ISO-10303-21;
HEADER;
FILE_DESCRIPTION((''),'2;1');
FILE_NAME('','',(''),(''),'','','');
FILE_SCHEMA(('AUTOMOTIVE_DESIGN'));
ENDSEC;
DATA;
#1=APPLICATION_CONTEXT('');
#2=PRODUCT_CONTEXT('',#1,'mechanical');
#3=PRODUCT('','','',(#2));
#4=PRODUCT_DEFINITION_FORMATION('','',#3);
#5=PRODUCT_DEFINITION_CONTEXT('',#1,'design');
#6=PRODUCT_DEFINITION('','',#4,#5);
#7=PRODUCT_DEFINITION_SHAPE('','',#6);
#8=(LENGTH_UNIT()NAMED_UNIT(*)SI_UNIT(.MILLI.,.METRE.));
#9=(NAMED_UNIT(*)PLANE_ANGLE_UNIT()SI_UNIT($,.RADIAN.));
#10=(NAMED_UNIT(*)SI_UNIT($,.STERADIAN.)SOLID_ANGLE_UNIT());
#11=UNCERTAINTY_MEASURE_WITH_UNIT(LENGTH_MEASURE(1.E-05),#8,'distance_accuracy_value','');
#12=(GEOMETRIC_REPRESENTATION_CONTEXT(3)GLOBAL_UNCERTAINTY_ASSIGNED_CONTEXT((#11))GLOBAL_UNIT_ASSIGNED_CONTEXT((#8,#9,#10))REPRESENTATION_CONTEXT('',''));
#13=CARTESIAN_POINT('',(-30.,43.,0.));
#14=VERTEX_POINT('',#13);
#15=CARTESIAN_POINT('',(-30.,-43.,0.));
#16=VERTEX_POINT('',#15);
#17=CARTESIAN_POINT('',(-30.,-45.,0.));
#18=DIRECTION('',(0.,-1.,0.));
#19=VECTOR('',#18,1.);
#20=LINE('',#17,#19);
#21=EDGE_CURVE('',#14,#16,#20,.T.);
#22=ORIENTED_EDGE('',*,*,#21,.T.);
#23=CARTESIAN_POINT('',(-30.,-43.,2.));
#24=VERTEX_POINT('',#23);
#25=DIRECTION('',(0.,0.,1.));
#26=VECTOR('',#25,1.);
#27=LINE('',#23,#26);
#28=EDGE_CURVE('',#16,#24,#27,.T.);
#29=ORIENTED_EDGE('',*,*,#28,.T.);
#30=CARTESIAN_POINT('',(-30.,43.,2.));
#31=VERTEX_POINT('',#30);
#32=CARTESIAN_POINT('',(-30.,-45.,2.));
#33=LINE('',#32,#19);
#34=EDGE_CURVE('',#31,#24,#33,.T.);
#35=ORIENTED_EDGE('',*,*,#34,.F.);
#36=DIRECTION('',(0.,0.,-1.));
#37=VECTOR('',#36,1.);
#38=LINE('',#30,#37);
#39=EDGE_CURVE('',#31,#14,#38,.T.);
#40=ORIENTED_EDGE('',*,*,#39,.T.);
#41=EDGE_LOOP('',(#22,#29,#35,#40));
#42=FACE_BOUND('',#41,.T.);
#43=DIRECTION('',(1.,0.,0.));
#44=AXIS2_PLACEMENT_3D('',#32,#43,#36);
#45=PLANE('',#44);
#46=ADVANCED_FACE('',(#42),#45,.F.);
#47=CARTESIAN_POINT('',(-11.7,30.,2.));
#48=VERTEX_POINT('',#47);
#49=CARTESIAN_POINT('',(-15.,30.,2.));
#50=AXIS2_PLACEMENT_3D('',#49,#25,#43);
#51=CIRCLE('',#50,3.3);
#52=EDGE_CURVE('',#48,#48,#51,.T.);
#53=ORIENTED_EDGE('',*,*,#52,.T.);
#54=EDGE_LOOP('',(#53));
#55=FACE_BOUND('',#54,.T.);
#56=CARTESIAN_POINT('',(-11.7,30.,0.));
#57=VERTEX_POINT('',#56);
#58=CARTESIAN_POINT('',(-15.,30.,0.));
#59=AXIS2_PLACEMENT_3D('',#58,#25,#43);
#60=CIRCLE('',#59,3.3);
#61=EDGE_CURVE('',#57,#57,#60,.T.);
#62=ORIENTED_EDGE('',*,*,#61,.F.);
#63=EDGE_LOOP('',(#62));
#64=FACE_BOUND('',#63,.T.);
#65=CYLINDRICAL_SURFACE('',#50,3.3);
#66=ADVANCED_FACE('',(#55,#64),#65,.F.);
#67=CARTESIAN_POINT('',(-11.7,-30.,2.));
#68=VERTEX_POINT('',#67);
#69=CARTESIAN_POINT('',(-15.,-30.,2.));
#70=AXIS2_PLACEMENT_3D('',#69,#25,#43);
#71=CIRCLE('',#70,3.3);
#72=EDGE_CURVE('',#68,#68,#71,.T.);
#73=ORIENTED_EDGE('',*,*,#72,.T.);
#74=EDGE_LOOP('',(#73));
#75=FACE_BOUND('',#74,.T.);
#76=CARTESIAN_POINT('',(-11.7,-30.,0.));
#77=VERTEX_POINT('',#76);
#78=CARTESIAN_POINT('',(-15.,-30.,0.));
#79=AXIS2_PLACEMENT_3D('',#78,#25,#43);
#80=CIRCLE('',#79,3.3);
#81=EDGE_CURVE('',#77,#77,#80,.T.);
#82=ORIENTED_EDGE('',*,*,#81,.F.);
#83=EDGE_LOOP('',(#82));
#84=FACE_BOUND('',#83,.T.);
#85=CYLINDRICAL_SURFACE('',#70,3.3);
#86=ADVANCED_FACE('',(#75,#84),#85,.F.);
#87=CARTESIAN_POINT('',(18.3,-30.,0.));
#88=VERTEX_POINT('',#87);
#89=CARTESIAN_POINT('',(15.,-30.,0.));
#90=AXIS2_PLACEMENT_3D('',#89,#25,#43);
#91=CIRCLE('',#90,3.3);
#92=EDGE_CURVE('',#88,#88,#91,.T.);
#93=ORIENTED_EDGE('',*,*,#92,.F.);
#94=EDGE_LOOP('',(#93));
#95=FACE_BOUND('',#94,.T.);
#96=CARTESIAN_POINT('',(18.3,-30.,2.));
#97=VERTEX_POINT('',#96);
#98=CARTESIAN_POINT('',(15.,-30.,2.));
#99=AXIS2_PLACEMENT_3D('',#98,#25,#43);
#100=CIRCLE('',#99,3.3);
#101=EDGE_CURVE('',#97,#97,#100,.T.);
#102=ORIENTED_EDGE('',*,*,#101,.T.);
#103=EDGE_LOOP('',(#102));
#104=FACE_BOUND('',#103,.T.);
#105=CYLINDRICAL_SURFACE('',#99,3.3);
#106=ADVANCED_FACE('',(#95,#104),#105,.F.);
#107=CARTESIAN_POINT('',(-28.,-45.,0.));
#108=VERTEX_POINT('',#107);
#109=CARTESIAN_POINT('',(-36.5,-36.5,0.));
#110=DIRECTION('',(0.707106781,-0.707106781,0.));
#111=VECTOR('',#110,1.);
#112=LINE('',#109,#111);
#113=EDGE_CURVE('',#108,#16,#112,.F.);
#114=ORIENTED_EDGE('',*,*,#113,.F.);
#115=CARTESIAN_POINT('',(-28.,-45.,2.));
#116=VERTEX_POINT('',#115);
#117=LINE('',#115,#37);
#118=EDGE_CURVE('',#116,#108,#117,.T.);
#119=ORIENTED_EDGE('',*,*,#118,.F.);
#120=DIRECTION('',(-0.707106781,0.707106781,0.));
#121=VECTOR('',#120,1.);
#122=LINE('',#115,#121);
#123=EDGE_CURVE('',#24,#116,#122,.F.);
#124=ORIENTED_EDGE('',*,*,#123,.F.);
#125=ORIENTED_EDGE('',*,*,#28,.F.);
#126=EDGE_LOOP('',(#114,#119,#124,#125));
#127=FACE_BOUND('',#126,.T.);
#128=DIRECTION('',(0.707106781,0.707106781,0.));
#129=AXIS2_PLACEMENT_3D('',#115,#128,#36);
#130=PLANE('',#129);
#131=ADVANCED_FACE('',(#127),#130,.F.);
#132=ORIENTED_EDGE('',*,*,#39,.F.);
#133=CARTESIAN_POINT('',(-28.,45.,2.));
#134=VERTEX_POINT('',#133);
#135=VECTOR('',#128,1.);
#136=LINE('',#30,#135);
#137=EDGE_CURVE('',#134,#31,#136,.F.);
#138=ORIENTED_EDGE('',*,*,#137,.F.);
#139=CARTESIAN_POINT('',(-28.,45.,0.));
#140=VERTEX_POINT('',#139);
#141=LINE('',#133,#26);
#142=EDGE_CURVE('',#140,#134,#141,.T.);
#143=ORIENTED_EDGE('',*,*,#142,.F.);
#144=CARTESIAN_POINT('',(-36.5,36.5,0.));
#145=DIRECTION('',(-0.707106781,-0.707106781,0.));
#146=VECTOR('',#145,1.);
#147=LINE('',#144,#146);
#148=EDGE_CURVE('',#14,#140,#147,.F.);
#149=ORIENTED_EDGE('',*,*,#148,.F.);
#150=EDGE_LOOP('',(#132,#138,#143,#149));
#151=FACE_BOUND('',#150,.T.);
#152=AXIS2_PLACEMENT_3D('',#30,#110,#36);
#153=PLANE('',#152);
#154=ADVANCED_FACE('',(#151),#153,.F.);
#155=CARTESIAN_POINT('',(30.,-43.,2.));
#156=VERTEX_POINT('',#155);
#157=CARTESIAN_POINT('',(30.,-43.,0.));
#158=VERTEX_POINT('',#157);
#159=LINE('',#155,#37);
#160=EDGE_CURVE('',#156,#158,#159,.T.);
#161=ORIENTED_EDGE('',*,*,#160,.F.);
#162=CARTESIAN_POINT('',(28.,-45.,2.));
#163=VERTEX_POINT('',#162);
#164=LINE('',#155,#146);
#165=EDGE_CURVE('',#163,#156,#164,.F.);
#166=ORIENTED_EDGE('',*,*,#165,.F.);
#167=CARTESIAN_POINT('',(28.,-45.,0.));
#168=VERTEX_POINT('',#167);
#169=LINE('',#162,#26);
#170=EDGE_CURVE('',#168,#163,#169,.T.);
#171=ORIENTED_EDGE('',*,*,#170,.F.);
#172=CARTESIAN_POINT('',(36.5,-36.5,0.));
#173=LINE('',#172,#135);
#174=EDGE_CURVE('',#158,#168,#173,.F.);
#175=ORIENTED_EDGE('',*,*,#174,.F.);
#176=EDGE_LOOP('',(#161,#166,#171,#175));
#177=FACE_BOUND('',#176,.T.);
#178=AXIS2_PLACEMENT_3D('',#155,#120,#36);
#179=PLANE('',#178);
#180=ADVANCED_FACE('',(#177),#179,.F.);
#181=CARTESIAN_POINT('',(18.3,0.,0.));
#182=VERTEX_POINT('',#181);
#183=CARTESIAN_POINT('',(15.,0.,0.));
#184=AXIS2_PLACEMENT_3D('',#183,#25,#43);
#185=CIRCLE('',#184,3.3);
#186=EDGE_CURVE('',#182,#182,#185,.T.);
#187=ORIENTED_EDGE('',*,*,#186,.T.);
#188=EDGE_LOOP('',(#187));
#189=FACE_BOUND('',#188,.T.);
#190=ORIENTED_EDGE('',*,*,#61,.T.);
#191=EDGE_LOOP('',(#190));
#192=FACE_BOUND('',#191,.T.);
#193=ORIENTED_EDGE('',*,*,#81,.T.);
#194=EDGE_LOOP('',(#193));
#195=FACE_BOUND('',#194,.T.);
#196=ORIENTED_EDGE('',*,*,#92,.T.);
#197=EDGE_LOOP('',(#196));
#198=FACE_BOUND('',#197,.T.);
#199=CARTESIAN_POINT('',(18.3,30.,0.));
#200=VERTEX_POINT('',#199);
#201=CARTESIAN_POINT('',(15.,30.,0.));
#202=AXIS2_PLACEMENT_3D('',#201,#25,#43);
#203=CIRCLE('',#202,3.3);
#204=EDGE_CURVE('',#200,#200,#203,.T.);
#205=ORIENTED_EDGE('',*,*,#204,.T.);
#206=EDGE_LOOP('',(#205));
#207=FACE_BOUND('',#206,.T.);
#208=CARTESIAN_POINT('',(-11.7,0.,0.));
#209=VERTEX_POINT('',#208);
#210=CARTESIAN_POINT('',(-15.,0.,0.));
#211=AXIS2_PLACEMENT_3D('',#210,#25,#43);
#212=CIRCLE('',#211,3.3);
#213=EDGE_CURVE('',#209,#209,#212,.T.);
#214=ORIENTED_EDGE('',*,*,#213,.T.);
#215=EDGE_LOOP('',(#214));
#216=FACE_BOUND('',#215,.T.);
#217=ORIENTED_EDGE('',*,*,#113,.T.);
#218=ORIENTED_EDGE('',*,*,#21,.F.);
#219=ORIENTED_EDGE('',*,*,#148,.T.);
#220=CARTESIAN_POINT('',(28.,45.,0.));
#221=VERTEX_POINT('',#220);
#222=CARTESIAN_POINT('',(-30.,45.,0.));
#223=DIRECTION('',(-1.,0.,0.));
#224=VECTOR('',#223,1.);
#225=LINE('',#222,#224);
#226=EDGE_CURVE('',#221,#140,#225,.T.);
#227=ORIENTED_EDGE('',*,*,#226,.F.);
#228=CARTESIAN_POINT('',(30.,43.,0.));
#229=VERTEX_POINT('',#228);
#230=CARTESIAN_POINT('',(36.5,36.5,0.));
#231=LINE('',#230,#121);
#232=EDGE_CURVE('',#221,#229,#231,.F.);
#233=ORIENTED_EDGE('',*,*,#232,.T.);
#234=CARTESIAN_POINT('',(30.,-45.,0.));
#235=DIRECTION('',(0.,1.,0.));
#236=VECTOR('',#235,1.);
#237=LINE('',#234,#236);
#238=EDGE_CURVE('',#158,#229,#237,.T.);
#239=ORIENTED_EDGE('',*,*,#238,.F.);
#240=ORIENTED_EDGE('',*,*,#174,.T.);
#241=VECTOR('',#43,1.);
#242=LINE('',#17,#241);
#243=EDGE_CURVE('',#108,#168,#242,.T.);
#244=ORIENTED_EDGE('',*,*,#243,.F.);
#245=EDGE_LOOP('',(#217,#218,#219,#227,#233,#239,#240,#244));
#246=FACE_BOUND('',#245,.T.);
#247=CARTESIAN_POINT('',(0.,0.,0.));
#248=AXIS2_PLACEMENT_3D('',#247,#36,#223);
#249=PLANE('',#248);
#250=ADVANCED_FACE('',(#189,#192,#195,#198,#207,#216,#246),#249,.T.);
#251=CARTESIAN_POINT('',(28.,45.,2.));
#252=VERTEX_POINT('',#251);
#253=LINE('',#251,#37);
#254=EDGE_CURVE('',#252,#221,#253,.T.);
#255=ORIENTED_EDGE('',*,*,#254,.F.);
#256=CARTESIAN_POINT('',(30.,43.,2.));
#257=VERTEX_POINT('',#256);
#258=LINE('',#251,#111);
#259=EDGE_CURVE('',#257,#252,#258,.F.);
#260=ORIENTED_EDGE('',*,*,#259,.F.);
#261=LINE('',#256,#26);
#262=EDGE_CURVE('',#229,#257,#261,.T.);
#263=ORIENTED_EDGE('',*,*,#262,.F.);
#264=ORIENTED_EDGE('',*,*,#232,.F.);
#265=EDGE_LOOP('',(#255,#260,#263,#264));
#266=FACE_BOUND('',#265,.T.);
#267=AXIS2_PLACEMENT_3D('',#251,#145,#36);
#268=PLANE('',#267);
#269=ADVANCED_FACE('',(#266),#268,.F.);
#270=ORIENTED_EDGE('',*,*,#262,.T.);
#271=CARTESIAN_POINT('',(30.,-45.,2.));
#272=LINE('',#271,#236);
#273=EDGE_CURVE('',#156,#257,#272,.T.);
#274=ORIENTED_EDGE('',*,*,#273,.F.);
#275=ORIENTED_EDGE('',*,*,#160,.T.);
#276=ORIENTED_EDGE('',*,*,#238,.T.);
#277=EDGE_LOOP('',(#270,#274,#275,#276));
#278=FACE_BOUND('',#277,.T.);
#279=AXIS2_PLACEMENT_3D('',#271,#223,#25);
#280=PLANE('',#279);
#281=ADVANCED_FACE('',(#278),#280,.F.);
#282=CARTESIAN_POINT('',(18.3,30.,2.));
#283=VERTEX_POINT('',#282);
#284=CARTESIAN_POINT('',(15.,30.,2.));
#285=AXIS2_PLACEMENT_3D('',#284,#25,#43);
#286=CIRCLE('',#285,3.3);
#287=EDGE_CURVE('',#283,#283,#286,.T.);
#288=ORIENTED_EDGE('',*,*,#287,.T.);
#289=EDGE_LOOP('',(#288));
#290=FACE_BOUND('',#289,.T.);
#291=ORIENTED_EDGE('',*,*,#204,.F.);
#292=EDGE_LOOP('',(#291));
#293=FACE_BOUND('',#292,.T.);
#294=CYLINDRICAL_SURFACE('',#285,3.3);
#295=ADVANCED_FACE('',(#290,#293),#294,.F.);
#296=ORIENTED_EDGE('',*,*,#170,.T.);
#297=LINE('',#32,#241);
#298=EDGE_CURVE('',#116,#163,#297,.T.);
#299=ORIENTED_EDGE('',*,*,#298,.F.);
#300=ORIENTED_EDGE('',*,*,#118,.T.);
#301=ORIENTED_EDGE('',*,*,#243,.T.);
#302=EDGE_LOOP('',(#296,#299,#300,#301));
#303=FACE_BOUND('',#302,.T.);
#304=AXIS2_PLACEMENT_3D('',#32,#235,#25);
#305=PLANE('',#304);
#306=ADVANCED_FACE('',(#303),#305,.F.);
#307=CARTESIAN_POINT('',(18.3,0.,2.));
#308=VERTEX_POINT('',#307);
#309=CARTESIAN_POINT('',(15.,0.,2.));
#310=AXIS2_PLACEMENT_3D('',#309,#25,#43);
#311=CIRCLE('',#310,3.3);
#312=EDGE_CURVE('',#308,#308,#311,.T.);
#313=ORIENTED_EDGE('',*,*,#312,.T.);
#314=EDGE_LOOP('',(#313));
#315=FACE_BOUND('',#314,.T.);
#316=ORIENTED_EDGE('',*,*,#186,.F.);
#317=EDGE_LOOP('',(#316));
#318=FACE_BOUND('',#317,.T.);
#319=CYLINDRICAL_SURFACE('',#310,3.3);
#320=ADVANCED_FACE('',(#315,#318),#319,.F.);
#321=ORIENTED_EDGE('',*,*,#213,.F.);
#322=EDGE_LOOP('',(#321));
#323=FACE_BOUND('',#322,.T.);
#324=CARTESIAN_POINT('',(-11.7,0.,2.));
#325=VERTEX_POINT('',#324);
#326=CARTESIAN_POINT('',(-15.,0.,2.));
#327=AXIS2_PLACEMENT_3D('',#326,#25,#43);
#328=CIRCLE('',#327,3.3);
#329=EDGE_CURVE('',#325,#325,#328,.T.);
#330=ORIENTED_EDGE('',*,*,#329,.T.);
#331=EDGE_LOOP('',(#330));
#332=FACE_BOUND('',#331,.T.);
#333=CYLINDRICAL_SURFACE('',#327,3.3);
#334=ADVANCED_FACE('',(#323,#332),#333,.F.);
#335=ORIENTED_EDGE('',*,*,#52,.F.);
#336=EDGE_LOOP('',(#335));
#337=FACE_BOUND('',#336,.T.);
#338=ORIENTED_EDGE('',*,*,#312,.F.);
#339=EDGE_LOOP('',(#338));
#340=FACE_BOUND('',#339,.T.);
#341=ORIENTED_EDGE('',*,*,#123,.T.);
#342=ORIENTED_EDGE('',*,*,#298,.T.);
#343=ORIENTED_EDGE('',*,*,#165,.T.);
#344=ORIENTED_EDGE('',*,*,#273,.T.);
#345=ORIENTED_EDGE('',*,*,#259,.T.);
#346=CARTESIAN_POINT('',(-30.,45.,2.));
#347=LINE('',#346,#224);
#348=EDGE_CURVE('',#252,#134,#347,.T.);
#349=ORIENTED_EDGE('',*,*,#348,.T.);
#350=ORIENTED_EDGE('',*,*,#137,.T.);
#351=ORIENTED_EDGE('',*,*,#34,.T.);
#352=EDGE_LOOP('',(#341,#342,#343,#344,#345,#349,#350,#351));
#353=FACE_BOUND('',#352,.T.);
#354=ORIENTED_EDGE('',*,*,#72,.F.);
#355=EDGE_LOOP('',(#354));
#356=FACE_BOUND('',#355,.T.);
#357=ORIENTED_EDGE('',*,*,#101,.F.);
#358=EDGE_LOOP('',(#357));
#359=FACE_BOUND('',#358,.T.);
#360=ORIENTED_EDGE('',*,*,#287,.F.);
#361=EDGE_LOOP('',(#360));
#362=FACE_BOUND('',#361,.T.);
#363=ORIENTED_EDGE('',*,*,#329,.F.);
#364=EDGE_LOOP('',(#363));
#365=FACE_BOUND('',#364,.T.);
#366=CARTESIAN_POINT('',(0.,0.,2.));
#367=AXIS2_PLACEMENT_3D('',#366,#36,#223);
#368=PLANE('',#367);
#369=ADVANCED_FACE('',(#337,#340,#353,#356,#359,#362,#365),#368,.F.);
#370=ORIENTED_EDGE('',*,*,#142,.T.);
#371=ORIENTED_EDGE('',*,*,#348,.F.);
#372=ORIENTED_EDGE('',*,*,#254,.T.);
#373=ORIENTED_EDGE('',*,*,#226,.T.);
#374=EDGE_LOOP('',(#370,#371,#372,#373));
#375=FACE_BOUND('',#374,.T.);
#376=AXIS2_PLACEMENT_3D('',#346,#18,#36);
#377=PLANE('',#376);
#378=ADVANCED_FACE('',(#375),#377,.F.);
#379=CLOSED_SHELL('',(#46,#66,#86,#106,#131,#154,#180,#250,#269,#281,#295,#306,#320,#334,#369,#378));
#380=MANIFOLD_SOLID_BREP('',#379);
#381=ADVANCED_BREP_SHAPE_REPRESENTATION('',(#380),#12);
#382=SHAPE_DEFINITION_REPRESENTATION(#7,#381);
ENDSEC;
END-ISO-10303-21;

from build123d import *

# Parameters (mm, degrees)
SKETCH_1_W        = 60
SKETCH_1_H        = 90
EXTRUDE_1_DEPTH   = 2
CHAMFER_1_SIZE    = 2
HOLE_WIZARD_M61_D = 6.6


with BuildPart() as part:
    # Эскиз1 → Бобышка-Вытянуть1 (new body)
    with BuildSketch(Plane.XY):
        Rectangle(SKETCH_1_W, SKETCH_1_H)
    extrude(amount=EXTRUDE_1_DEPTH)

    # Фаска1
    chamfer_1_edges = [part.edges().sort_by_distance(p)[0] for p in [
        (30, -45, 1),
        (-30, -45, 1),
        (-30, 45, 1),
        (30, 45, 1),
    ]]
    chamfer(chamfer_1_edges, length=CHAMFER_1_SIZE)

    # Отверстие с зазором M61 (through all)
    with Locations(Plane.XY.offset(2)):
        with Locations((-15, 30), (15, 30), (15, 0), (-15, 0), (-15, -30), (15, -30)):
            Hole(HOLE_WIZARD_M61_D / 2)


solid = part.part
